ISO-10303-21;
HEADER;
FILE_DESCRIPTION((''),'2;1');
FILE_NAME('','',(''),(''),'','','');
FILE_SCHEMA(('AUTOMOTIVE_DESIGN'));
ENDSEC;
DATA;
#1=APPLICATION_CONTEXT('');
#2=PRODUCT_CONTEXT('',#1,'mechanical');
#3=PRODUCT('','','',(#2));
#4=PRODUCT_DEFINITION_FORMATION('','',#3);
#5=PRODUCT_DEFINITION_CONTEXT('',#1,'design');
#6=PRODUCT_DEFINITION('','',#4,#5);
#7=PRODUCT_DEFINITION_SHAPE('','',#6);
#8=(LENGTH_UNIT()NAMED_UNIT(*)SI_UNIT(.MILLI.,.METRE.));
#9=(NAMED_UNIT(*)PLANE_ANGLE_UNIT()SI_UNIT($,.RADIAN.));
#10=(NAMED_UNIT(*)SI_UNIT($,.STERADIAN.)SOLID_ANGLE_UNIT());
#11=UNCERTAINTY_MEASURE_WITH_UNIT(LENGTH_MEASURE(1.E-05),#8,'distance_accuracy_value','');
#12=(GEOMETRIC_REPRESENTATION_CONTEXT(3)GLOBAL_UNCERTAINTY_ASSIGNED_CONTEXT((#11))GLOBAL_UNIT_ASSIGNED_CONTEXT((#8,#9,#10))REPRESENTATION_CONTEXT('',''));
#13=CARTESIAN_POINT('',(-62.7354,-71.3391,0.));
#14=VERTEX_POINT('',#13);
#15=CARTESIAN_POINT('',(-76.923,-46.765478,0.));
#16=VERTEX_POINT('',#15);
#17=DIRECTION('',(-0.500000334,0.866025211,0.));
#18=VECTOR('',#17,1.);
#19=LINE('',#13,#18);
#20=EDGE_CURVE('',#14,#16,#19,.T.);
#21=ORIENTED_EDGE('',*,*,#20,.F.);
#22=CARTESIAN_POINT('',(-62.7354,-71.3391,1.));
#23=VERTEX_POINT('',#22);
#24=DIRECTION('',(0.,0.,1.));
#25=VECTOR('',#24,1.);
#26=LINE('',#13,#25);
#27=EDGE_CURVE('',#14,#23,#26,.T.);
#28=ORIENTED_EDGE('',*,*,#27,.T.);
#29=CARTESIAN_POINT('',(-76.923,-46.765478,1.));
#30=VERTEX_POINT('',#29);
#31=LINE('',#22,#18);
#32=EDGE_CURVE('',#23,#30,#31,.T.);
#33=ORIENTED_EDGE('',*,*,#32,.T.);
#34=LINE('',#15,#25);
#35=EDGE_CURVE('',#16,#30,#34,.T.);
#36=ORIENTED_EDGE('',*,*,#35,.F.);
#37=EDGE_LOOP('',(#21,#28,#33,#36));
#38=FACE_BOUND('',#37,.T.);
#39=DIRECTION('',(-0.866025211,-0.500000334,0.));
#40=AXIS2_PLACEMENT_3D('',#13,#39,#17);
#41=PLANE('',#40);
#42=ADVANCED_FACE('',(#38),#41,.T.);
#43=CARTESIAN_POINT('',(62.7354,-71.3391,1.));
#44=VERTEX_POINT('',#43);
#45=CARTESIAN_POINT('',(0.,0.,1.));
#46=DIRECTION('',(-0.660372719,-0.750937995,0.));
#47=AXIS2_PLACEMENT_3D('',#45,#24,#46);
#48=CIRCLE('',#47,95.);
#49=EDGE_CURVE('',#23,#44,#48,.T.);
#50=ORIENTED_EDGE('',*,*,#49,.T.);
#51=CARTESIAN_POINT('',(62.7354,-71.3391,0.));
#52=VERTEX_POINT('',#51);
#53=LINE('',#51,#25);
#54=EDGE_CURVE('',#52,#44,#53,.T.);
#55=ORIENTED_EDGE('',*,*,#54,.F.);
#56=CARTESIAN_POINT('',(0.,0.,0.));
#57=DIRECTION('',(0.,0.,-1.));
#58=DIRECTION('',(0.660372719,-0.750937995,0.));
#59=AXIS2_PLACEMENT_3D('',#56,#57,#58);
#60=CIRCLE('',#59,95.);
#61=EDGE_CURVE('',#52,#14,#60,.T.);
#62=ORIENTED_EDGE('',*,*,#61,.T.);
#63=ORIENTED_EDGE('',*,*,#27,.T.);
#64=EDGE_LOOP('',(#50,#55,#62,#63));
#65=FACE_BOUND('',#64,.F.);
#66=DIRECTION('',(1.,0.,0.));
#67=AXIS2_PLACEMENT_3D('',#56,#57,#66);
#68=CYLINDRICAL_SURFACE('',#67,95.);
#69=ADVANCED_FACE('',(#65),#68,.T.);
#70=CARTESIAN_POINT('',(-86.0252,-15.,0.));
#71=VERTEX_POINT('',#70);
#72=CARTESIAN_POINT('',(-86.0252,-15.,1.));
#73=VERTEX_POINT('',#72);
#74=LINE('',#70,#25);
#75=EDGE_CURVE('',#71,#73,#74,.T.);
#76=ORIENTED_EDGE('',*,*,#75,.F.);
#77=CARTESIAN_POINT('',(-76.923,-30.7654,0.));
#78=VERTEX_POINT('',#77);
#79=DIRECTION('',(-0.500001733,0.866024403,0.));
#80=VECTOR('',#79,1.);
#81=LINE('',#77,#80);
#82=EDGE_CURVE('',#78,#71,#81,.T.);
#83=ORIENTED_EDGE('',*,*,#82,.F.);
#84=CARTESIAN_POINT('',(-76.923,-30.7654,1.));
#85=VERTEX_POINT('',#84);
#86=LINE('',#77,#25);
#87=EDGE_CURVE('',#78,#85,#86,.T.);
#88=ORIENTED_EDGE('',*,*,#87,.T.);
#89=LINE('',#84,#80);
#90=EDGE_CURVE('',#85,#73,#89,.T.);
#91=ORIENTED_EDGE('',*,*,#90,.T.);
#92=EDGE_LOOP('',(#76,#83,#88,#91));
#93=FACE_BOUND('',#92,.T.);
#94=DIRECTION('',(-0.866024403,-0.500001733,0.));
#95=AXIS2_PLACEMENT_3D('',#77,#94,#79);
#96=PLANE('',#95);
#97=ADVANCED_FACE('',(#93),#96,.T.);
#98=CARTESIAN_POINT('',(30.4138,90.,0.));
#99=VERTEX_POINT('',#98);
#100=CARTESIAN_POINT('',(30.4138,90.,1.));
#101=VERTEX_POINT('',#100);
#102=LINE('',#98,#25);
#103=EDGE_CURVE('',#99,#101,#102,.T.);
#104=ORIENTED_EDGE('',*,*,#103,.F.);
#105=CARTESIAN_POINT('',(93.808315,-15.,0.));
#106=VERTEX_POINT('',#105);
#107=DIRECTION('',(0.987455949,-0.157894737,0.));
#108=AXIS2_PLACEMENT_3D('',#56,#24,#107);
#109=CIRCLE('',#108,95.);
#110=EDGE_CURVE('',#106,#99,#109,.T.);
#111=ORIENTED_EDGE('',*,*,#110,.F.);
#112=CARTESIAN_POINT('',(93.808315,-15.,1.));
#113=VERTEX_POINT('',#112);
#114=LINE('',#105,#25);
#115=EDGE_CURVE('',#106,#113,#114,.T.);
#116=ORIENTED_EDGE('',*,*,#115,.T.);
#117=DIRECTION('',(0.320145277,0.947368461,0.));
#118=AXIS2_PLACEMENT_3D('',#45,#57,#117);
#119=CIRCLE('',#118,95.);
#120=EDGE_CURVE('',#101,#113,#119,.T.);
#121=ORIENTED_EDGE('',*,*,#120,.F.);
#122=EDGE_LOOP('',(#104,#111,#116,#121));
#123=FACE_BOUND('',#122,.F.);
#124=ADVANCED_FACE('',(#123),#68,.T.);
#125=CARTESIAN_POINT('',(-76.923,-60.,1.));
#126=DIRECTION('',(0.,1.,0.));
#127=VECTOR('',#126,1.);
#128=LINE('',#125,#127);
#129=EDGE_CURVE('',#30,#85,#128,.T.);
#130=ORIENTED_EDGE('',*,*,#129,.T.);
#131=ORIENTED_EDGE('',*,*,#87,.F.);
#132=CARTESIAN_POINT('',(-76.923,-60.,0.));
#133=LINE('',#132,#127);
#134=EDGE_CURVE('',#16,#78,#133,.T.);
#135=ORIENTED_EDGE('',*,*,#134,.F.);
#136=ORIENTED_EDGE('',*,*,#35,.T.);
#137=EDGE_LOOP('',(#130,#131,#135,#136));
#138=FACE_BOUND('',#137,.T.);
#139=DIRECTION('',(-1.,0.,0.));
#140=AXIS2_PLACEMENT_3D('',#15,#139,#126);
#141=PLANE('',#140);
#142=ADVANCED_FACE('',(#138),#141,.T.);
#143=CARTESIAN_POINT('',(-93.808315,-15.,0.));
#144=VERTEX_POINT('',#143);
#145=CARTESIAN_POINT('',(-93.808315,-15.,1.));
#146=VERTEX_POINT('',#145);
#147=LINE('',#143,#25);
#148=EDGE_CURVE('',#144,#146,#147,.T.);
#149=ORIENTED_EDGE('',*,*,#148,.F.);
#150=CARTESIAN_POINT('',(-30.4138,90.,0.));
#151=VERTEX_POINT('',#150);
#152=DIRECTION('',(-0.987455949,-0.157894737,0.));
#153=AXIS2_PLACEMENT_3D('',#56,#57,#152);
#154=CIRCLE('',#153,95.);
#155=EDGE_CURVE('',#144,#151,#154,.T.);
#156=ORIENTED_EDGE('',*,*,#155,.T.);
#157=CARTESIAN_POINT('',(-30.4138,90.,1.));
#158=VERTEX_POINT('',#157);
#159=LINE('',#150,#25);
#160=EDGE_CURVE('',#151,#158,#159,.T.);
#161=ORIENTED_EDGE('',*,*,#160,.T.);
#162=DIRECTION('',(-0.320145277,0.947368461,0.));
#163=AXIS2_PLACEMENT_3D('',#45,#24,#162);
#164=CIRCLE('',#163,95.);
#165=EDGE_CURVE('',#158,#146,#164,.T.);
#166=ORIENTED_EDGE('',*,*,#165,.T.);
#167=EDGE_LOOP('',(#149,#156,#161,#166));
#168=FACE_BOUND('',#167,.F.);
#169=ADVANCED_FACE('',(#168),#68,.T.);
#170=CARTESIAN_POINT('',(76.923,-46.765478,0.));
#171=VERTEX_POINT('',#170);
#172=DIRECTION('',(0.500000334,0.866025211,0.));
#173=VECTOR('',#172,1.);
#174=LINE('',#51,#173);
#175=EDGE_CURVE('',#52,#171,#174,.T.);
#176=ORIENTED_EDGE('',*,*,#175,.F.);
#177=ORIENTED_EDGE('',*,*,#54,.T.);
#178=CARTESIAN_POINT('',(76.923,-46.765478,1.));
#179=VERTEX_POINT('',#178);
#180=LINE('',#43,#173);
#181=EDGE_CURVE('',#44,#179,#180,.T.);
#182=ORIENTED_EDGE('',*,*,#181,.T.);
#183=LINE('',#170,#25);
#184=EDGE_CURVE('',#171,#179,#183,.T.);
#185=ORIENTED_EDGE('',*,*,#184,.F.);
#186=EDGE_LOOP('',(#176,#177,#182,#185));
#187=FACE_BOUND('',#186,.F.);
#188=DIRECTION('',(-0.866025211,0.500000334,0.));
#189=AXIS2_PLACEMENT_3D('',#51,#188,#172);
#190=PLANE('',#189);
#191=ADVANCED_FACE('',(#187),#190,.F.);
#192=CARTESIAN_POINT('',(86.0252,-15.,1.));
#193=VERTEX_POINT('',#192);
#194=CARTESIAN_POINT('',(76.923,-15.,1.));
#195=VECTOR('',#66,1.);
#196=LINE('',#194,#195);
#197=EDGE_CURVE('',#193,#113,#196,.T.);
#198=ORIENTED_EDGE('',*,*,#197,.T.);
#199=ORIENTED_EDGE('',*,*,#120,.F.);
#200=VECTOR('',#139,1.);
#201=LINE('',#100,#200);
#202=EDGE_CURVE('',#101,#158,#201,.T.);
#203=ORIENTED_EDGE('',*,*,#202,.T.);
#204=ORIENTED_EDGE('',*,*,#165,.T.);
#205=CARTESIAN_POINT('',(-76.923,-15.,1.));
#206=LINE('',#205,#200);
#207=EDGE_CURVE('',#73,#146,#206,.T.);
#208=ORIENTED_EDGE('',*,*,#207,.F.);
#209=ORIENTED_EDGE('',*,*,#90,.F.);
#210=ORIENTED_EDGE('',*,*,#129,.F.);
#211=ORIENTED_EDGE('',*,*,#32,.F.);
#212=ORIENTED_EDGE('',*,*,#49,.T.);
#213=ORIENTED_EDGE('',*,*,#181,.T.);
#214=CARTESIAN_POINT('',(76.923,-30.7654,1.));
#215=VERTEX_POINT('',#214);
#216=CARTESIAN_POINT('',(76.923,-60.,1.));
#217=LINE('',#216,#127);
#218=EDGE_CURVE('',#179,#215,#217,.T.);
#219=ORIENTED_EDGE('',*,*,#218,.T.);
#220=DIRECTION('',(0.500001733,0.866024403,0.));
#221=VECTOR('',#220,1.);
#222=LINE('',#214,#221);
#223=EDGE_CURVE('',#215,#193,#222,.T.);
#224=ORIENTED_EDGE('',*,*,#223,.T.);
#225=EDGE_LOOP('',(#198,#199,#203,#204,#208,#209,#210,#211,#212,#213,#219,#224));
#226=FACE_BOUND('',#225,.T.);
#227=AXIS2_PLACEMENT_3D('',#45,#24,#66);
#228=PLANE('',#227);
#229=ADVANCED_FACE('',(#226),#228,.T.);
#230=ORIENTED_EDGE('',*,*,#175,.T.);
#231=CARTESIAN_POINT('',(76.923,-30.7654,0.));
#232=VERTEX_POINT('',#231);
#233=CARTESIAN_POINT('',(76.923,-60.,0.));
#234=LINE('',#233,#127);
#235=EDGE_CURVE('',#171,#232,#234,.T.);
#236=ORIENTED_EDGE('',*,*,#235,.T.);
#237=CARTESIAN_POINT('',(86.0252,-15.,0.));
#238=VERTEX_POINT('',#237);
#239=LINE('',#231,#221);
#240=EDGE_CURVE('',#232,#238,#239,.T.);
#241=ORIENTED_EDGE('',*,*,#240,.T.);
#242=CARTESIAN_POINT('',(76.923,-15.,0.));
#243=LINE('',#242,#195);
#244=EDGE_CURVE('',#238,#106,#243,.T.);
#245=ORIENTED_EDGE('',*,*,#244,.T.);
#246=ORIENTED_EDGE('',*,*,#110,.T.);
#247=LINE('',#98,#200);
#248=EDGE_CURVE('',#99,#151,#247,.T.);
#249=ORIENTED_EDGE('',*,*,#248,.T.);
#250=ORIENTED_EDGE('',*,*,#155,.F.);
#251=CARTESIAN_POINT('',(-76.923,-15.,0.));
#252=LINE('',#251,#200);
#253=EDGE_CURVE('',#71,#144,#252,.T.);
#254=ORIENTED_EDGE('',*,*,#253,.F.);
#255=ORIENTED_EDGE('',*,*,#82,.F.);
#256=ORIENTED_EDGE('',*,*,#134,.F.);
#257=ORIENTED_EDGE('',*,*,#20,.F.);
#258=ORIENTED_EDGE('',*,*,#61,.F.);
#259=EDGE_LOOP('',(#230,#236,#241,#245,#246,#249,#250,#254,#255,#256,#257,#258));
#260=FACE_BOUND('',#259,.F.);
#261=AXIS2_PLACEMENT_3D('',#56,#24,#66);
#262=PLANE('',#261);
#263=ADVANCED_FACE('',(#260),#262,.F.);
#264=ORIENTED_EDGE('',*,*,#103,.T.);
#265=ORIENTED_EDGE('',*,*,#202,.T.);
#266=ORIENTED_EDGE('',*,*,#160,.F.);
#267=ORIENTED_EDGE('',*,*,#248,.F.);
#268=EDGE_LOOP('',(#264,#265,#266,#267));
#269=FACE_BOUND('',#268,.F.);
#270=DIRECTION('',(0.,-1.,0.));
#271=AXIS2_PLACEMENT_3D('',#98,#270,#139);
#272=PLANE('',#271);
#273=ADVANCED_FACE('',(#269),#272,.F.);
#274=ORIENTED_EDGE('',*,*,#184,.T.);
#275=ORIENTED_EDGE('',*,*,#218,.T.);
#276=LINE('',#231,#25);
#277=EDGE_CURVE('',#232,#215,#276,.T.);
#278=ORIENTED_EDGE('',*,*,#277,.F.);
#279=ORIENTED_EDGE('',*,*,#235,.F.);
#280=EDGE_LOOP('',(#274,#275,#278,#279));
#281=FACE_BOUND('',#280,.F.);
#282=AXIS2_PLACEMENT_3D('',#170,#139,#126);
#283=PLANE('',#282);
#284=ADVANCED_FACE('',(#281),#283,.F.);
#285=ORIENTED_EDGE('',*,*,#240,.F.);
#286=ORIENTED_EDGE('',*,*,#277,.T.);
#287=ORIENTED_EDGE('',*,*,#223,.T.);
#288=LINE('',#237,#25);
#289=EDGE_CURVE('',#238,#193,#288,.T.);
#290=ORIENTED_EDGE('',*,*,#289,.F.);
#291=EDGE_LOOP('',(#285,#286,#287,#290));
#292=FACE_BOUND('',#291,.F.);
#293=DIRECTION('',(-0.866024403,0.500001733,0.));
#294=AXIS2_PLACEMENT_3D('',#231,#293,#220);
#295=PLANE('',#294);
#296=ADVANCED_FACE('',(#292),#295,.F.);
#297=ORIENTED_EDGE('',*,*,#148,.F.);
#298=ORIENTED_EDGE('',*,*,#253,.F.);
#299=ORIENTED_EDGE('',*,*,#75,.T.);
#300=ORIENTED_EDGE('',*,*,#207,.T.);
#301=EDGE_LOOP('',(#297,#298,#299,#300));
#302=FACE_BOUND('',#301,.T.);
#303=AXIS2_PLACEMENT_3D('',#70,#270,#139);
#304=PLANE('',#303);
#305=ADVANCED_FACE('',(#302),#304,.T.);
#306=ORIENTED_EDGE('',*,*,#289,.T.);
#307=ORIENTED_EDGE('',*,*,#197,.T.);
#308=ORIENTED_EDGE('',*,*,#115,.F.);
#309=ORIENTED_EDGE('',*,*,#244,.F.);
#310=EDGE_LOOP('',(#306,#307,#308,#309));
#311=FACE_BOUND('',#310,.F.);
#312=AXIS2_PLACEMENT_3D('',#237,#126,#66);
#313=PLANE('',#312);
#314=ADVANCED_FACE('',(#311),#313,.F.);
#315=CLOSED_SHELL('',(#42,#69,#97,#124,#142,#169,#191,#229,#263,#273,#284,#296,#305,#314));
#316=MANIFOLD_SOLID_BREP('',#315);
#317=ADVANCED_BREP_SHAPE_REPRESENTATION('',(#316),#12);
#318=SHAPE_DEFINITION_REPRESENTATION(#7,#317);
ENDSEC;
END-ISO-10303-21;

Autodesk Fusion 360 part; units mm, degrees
sketch "Sketch1" plane through (0, 0, 0) normal (0, 0, 1) x (1, 0, 0)
  circle A0 centre (0, 0) radius 95
  line L0 (0, 0) -> (120, 0) construction
  line L1 (0, 0) -> (103.923, -60) construction
  line L2 (0, 0) -> (120, 0) construction
  line L3 (30.4138, 90) -> (-30.4138, 90)
  line L4 (62.7354, -71.3391) -> (93.1492, -18.6609)
  line L5 (0, -100) -> (0, 100) construction
  line L6 (76.923, -15) -> (103.923, -15)
  line L7 (103.923, -15) -> (103.923, -60) construction
  line L8 (103.923, -60) -> (76.923, -60) construction
  line L9 (76.923, -60) -> (76.923, -15)
  circle A1 centre (0, 0) radius 120 construction
  line L10 (76.923, -30.7654) -> (86.0252, -15)
  line L11 (-76.923, -30.7654) -> (-86.0252, -15)
  line L12 (-62.7354, -71.3391) -> (-93.1492, -18.6609)
  line L13 (-76.923, -60) -> (-76.923, -15)
  line L14 (-76.923, -15) -> (-103.923, -15)
  line L15 (-24, -91.9184) -> (-24, -75)
  line L16 (-24, -75) -> (24, -75)
  line L17 (24, -75) -> (24, -91.9184)
  line L18 (-87.9147, 36) -> (-77, 36)
  line L19 (-77, 36) -> (-58, 69)
  line L20 (-58, 69) -> (-58, 75.2396)
  line L21 (56, 76.7398) -> (56, 59)
  line L22 (56, 59) -> (78, 38)
  line L23 (78, 38) -> (87.0689, 38)
  dimension "d1" = 190
  dimension "d5" = 30
  dimension "d14" = 90
  dimension "d15" = 90
  dimension "d18" = 240
  dimension "d19" = 27
  dimension "d20" = 45
  dimension "d22" = 8
  dimension "d24" = 12
  dimension "d25" = 78.923
  dimension "d26" = 83.5117
  dimension "d30" = 86.0252
  dimension "d31" = 30.7654
  dimension "d32" = 48
  dimension "d33" = 75
  dimension "d34" = 58
  dimension "d35" = 36
  dimension "d36" = 77
  dimension "d37" = 69
  dimension "d38" = 38
  dimension "d39" = 78
  dimension "d40" = 56
  dimension "d41" = 59
extrude "Extrude1" add sketch "Sketch1" along normal blind 1 contours A0 L3 L4 L6 L9 L12 L13 L14 L15 L16 L17 L18 L19 L20 L21 L22 L23 | A0 L21 L22 L23 | L6 L9 L10 | A0 L18 L19 L20 | A0 L15 L16 L17 | L11 L13 L14
sketch "Sketch2" plane through (0, 0, 1) normal (0, 0, 1) x (-1, 0, 0)
  line L0 (-30.4138, -90) -> (30.4138, -90)
  arc A0 (30.4138, -90) -> (93.8083, 15) centre (0, 0) ccw
  line L1 (93.8083, 15) -> (86.0252, 15)
  line L2 (86.0252, 15) -> (76.923, 30.7654)
  line L3 (76.923, 30.7654) -> (76.923, 46.7654)
  line L4 (76.923, 46.7654) -> (62.7354, 71.3391)
  arc A1 (62.7354, 71.3391) -> (-62.7354, 71.3391) centre (0, 0) ccw
  line L5 (-62.7354, 71.3391) -> (-76.923, 46.7654)
  line L6 (-76.923, 46.7654) -> (-76.923, 30.7654)
  line L7 (-76.923, 30.7654) -> (-86.0252, 15)
  line L8 (-86.0252, 15) -> (-93.8083, 15)
  arc A2 (-93.8083, 15) -> (-30.4138, -90) centre (0, 0) ccw
  circle A3 centre (0, 0) radius 95
  line L9 (50, -50) -> (-50, -50)
  line L10 (0, -95) -> (0, 95) construction
  line L11 (-95, 0) -> (95, 0) construction
  line L12 (50, 50) -> (-50, 50)
  line L13 (-50, -50) -> (-50, 50)
  line L14 (50, -50) -> (50, 50)
  line L15 (0.0222, -67.584) -> (-9.3085, -67.5632) construction
  line L16 (-9.3085, -67.5632) -> (-9.3307, -77.4981) construction
  line L17 (-9.3307, -77.4981) -> (0, -77.5189) construction
  line L18 (0, -77.5189) -> (0.0222, -67.584) construction
  dimension "d42" = 100
  dimension "d43" = 100
